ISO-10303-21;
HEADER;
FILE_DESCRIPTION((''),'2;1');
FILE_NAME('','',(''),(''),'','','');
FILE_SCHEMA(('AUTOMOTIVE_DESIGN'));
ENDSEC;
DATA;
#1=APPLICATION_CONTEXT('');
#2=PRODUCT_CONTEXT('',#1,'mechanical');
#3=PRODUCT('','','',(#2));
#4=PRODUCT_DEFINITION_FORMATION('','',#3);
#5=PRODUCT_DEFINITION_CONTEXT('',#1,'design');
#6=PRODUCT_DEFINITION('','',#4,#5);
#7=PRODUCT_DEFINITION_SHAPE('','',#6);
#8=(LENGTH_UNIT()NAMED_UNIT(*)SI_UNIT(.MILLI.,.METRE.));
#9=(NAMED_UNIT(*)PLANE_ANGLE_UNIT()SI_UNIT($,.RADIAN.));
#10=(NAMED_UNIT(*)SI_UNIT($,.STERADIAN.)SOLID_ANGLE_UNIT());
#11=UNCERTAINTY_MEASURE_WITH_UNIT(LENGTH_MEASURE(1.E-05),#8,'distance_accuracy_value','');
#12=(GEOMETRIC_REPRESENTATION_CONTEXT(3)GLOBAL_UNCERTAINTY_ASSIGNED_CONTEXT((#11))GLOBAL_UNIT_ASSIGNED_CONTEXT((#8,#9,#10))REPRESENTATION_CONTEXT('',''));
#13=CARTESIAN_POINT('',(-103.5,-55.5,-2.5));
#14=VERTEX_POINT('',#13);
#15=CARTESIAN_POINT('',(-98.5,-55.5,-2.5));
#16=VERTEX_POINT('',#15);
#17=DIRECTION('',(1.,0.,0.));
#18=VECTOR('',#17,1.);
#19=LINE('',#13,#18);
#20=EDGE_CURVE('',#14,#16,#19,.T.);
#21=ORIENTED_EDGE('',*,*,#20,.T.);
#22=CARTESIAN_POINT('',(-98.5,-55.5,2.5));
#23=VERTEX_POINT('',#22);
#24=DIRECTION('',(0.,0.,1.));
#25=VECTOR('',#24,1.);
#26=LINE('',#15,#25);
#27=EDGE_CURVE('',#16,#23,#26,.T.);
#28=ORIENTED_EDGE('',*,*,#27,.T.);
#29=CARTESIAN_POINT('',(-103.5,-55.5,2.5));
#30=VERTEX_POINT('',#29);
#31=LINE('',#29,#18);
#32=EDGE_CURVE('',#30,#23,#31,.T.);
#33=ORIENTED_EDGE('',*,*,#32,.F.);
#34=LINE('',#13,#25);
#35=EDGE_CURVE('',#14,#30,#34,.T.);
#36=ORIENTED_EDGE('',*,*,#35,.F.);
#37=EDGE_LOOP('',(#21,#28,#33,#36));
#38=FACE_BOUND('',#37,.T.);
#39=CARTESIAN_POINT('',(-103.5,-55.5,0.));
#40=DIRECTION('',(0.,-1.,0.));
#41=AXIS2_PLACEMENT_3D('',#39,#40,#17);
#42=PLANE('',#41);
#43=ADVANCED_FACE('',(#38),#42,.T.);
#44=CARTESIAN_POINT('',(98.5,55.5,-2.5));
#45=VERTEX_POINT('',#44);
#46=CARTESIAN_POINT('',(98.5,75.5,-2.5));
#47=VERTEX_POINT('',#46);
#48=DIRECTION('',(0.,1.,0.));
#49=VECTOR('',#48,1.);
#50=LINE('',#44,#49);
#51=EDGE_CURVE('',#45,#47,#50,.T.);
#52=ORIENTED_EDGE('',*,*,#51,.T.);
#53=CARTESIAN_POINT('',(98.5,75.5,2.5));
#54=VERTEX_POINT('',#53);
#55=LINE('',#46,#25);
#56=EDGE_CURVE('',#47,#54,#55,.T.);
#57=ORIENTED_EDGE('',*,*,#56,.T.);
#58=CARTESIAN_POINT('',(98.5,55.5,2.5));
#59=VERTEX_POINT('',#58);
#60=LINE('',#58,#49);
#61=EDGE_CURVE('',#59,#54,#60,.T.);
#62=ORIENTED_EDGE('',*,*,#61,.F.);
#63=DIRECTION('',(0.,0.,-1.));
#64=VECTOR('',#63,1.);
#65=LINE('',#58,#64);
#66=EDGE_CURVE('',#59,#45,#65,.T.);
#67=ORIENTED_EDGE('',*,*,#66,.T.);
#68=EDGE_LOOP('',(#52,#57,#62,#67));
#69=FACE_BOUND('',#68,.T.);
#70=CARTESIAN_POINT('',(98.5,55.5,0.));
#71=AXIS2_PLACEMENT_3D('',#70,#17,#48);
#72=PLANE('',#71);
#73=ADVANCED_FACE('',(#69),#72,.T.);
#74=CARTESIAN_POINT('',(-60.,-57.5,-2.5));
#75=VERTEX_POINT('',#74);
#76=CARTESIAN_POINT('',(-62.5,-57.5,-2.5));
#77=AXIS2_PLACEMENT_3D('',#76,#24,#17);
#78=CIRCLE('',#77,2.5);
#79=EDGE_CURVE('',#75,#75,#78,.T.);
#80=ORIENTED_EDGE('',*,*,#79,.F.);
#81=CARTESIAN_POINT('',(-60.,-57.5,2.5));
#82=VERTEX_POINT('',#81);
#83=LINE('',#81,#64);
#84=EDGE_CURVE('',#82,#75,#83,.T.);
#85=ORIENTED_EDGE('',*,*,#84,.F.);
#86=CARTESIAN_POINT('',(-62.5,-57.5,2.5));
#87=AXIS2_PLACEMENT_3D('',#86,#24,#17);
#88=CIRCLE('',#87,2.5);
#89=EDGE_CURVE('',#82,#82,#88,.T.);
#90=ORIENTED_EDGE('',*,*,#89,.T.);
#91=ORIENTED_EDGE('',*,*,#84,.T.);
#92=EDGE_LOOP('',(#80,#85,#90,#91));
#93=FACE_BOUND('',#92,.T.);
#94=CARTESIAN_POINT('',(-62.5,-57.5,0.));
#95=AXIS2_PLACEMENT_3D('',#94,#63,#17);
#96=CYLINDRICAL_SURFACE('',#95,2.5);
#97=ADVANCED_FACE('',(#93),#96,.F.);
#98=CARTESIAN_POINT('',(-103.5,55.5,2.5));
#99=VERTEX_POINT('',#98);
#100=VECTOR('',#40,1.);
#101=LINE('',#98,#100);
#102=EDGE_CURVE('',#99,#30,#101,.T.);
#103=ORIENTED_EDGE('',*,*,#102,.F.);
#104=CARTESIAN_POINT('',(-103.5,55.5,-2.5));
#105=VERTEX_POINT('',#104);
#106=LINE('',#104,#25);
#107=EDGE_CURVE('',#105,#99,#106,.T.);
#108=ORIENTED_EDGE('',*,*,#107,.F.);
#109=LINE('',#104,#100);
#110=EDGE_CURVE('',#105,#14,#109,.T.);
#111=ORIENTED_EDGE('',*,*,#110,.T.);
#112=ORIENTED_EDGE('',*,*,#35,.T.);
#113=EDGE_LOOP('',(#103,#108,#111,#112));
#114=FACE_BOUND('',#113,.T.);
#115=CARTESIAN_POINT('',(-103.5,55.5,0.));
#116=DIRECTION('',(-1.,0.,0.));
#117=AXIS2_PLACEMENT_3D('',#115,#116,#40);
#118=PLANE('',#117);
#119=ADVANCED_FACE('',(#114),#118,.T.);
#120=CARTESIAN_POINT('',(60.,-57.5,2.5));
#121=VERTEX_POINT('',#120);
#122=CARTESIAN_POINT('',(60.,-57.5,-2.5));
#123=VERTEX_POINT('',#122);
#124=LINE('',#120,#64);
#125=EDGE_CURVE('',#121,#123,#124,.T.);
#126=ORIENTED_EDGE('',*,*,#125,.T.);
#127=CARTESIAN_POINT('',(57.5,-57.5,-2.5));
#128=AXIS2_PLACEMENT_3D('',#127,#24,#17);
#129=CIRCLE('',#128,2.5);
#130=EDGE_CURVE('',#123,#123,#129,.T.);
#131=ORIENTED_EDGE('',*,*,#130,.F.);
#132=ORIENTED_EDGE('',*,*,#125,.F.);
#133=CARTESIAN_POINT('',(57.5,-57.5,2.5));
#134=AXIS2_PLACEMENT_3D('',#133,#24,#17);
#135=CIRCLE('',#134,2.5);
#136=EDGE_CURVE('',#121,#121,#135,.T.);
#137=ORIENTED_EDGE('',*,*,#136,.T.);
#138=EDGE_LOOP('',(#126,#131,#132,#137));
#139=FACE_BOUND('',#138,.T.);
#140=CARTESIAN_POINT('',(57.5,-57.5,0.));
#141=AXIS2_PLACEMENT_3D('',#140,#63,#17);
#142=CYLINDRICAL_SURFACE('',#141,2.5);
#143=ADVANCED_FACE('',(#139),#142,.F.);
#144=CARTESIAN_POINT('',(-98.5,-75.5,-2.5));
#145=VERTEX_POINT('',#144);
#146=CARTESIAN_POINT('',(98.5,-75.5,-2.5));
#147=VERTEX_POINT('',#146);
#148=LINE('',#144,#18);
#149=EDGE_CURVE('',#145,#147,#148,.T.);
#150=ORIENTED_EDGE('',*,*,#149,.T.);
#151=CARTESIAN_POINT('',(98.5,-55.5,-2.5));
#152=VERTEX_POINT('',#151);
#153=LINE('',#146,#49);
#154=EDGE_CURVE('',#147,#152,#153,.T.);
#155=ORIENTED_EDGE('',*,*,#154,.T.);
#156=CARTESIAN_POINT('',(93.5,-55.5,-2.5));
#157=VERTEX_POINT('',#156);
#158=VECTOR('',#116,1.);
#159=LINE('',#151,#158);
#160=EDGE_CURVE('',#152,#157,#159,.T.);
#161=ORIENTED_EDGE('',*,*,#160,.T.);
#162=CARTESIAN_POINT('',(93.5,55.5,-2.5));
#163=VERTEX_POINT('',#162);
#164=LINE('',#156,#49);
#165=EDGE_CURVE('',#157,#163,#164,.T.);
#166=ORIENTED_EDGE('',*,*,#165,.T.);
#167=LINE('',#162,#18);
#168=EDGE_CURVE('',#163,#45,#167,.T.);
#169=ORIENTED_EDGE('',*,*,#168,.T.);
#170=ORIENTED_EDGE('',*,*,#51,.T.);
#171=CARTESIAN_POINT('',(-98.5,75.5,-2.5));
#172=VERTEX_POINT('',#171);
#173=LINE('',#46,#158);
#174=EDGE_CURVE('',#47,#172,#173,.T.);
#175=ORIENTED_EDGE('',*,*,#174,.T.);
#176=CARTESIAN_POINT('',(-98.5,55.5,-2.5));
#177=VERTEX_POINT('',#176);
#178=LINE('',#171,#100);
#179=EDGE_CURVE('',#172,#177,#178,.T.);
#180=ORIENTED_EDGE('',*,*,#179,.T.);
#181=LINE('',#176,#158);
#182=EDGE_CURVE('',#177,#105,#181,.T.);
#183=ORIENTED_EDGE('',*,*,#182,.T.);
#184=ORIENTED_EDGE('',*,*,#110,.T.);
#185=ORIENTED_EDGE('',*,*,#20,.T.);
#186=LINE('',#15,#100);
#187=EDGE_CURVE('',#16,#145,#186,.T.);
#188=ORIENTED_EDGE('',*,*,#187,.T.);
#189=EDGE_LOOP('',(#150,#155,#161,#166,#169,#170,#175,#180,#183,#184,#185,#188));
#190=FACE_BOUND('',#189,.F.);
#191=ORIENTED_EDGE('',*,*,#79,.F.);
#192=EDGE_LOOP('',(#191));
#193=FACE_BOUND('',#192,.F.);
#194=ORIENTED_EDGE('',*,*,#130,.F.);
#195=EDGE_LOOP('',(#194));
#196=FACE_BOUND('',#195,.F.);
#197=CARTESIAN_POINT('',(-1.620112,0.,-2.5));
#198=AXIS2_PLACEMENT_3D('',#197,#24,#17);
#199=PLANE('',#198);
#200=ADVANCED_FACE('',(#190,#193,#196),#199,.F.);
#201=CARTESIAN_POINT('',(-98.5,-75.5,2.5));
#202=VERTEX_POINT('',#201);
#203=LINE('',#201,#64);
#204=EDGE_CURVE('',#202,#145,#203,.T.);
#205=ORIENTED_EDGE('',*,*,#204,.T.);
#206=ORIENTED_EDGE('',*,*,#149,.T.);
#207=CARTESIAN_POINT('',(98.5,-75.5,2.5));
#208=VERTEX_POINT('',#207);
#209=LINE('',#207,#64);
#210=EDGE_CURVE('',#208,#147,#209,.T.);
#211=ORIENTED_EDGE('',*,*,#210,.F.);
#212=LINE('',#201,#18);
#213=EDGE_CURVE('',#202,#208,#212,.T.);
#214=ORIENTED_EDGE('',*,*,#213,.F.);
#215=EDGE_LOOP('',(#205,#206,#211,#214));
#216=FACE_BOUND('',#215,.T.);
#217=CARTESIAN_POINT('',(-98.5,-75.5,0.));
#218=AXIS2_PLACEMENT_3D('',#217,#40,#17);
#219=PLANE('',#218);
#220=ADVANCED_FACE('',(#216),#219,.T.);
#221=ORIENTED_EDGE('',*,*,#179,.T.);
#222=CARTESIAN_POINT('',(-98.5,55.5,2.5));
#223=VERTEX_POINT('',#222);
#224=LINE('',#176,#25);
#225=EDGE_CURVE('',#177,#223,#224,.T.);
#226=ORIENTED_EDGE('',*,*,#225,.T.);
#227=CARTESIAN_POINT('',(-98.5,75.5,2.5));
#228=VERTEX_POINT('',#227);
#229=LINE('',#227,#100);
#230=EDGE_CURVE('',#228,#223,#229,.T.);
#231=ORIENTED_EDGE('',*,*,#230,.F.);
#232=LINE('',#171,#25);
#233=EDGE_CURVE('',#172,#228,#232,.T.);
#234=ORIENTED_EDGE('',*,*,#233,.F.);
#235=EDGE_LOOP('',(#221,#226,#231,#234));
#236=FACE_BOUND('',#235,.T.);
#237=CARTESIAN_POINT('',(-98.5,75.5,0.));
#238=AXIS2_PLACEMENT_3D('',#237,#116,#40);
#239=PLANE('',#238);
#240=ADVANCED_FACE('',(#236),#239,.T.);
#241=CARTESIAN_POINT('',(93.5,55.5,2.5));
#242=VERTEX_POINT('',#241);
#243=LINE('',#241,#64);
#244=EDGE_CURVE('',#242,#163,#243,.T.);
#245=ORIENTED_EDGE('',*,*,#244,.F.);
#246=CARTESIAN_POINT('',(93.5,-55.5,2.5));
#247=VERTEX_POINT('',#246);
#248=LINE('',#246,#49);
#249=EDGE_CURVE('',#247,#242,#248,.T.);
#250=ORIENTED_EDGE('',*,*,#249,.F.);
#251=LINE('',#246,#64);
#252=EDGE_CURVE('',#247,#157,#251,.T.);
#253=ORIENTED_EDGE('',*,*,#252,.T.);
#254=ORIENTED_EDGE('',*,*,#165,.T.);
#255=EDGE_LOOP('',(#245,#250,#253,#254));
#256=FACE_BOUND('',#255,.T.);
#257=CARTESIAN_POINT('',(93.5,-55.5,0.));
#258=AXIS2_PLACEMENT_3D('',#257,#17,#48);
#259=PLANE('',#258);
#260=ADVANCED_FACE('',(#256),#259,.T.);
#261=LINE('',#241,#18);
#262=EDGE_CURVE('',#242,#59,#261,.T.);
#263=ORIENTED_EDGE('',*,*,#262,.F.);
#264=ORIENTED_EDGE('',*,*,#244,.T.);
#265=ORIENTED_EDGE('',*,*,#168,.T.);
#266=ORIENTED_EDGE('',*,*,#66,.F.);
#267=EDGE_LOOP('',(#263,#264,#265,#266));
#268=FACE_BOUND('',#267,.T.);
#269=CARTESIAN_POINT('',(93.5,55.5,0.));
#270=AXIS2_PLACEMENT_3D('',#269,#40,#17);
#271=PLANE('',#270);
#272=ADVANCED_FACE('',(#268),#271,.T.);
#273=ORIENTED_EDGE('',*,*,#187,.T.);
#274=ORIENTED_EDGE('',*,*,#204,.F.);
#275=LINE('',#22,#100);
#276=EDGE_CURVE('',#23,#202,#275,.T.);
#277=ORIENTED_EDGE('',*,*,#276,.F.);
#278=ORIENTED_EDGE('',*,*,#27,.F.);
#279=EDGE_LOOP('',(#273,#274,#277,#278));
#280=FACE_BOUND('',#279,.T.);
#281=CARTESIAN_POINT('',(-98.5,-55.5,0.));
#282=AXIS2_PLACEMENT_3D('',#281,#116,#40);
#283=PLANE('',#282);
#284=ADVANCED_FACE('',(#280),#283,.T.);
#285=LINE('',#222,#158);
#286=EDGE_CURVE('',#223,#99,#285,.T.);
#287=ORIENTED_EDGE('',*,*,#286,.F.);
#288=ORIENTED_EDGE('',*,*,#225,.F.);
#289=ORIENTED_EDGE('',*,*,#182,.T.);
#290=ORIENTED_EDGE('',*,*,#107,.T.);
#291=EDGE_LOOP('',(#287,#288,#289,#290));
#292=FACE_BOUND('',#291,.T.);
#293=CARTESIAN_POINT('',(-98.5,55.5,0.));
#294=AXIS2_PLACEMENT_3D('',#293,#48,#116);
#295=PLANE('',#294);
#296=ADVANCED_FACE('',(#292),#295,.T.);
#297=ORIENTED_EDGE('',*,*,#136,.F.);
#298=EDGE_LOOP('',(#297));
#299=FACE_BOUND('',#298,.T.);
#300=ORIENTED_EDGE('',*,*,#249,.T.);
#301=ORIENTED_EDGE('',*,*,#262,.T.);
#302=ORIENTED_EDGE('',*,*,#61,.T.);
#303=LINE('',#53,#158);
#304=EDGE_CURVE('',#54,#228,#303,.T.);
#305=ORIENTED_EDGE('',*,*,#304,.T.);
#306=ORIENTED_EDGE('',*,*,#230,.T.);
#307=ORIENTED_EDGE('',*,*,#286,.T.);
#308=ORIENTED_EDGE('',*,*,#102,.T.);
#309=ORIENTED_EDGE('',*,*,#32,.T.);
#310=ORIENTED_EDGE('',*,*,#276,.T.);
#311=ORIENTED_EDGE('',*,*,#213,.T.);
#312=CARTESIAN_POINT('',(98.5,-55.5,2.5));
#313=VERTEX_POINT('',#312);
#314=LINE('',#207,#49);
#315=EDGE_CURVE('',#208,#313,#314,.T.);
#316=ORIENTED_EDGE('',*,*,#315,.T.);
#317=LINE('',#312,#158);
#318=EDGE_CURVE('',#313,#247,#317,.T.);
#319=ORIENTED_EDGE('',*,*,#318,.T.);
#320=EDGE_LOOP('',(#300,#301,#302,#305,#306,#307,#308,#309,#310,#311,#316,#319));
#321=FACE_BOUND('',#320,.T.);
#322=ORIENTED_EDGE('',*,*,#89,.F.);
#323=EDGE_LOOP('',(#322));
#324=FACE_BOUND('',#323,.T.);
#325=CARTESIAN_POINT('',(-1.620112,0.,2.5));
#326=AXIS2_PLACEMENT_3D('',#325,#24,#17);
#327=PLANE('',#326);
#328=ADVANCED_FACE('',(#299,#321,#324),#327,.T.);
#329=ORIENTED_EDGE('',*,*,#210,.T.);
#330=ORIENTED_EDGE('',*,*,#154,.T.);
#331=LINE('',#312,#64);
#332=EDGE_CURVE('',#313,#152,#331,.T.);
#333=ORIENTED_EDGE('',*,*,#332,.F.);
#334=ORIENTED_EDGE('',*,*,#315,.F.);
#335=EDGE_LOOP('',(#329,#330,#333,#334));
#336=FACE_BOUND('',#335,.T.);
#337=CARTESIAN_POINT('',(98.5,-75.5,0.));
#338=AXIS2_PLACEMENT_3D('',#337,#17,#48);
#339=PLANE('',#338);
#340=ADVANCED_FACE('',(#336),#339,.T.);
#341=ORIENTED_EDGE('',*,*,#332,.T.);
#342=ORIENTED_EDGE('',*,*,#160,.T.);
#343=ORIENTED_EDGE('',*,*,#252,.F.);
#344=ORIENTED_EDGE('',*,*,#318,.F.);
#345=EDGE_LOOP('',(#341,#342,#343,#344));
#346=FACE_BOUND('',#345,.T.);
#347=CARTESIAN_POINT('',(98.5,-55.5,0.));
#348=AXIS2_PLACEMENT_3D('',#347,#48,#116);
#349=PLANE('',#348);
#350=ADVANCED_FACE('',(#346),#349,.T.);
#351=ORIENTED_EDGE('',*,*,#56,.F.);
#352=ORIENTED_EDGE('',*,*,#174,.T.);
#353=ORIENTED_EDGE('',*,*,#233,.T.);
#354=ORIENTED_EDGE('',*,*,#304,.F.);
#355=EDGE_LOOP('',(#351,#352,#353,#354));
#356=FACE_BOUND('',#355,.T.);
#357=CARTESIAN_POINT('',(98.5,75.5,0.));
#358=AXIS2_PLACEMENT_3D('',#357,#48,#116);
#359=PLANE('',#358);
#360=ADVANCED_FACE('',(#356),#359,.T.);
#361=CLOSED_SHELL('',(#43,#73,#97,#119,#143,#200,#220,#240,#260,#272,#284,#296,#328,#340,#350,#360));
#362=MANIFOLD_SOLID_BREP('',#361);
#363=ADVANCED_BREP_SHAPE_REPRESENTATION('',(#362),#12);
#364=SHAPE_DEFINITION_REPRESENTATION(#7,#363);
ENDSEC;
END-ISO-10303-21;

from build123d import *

# Parameters (mm, degrees)
SKETCH_R  = 2.5
PAD_DEPTH = 2.5


with BuildPart() as part:
    # Sketch → Pad (new body, symmetric)
    with BuildSketch(Plane.XY):
        Polygon((98.5, 55.5), (98.5, 75.5), (-98.5, 75.5), (-98.5, 55.5), (-103.5, 55.5), (-103.5, -55.5), (-98.5, -55.5), (-98.5, -75.5), (98.5, -75.5), (98.5, -55.5), (93.5, -55.5), (93.5, 55.5), align=None)
        with Locations((57.5, -57.5)):
            Circle(SKETCH_R, mode=Mode.SUBTRACT)
        with Locations((-62.5, -57.5)):
            Circle(SKETCH_R, mode=Mode.SUBTRACT)
    extrude(amount=PAD_DEPTH, both=True)


solid = part.part
